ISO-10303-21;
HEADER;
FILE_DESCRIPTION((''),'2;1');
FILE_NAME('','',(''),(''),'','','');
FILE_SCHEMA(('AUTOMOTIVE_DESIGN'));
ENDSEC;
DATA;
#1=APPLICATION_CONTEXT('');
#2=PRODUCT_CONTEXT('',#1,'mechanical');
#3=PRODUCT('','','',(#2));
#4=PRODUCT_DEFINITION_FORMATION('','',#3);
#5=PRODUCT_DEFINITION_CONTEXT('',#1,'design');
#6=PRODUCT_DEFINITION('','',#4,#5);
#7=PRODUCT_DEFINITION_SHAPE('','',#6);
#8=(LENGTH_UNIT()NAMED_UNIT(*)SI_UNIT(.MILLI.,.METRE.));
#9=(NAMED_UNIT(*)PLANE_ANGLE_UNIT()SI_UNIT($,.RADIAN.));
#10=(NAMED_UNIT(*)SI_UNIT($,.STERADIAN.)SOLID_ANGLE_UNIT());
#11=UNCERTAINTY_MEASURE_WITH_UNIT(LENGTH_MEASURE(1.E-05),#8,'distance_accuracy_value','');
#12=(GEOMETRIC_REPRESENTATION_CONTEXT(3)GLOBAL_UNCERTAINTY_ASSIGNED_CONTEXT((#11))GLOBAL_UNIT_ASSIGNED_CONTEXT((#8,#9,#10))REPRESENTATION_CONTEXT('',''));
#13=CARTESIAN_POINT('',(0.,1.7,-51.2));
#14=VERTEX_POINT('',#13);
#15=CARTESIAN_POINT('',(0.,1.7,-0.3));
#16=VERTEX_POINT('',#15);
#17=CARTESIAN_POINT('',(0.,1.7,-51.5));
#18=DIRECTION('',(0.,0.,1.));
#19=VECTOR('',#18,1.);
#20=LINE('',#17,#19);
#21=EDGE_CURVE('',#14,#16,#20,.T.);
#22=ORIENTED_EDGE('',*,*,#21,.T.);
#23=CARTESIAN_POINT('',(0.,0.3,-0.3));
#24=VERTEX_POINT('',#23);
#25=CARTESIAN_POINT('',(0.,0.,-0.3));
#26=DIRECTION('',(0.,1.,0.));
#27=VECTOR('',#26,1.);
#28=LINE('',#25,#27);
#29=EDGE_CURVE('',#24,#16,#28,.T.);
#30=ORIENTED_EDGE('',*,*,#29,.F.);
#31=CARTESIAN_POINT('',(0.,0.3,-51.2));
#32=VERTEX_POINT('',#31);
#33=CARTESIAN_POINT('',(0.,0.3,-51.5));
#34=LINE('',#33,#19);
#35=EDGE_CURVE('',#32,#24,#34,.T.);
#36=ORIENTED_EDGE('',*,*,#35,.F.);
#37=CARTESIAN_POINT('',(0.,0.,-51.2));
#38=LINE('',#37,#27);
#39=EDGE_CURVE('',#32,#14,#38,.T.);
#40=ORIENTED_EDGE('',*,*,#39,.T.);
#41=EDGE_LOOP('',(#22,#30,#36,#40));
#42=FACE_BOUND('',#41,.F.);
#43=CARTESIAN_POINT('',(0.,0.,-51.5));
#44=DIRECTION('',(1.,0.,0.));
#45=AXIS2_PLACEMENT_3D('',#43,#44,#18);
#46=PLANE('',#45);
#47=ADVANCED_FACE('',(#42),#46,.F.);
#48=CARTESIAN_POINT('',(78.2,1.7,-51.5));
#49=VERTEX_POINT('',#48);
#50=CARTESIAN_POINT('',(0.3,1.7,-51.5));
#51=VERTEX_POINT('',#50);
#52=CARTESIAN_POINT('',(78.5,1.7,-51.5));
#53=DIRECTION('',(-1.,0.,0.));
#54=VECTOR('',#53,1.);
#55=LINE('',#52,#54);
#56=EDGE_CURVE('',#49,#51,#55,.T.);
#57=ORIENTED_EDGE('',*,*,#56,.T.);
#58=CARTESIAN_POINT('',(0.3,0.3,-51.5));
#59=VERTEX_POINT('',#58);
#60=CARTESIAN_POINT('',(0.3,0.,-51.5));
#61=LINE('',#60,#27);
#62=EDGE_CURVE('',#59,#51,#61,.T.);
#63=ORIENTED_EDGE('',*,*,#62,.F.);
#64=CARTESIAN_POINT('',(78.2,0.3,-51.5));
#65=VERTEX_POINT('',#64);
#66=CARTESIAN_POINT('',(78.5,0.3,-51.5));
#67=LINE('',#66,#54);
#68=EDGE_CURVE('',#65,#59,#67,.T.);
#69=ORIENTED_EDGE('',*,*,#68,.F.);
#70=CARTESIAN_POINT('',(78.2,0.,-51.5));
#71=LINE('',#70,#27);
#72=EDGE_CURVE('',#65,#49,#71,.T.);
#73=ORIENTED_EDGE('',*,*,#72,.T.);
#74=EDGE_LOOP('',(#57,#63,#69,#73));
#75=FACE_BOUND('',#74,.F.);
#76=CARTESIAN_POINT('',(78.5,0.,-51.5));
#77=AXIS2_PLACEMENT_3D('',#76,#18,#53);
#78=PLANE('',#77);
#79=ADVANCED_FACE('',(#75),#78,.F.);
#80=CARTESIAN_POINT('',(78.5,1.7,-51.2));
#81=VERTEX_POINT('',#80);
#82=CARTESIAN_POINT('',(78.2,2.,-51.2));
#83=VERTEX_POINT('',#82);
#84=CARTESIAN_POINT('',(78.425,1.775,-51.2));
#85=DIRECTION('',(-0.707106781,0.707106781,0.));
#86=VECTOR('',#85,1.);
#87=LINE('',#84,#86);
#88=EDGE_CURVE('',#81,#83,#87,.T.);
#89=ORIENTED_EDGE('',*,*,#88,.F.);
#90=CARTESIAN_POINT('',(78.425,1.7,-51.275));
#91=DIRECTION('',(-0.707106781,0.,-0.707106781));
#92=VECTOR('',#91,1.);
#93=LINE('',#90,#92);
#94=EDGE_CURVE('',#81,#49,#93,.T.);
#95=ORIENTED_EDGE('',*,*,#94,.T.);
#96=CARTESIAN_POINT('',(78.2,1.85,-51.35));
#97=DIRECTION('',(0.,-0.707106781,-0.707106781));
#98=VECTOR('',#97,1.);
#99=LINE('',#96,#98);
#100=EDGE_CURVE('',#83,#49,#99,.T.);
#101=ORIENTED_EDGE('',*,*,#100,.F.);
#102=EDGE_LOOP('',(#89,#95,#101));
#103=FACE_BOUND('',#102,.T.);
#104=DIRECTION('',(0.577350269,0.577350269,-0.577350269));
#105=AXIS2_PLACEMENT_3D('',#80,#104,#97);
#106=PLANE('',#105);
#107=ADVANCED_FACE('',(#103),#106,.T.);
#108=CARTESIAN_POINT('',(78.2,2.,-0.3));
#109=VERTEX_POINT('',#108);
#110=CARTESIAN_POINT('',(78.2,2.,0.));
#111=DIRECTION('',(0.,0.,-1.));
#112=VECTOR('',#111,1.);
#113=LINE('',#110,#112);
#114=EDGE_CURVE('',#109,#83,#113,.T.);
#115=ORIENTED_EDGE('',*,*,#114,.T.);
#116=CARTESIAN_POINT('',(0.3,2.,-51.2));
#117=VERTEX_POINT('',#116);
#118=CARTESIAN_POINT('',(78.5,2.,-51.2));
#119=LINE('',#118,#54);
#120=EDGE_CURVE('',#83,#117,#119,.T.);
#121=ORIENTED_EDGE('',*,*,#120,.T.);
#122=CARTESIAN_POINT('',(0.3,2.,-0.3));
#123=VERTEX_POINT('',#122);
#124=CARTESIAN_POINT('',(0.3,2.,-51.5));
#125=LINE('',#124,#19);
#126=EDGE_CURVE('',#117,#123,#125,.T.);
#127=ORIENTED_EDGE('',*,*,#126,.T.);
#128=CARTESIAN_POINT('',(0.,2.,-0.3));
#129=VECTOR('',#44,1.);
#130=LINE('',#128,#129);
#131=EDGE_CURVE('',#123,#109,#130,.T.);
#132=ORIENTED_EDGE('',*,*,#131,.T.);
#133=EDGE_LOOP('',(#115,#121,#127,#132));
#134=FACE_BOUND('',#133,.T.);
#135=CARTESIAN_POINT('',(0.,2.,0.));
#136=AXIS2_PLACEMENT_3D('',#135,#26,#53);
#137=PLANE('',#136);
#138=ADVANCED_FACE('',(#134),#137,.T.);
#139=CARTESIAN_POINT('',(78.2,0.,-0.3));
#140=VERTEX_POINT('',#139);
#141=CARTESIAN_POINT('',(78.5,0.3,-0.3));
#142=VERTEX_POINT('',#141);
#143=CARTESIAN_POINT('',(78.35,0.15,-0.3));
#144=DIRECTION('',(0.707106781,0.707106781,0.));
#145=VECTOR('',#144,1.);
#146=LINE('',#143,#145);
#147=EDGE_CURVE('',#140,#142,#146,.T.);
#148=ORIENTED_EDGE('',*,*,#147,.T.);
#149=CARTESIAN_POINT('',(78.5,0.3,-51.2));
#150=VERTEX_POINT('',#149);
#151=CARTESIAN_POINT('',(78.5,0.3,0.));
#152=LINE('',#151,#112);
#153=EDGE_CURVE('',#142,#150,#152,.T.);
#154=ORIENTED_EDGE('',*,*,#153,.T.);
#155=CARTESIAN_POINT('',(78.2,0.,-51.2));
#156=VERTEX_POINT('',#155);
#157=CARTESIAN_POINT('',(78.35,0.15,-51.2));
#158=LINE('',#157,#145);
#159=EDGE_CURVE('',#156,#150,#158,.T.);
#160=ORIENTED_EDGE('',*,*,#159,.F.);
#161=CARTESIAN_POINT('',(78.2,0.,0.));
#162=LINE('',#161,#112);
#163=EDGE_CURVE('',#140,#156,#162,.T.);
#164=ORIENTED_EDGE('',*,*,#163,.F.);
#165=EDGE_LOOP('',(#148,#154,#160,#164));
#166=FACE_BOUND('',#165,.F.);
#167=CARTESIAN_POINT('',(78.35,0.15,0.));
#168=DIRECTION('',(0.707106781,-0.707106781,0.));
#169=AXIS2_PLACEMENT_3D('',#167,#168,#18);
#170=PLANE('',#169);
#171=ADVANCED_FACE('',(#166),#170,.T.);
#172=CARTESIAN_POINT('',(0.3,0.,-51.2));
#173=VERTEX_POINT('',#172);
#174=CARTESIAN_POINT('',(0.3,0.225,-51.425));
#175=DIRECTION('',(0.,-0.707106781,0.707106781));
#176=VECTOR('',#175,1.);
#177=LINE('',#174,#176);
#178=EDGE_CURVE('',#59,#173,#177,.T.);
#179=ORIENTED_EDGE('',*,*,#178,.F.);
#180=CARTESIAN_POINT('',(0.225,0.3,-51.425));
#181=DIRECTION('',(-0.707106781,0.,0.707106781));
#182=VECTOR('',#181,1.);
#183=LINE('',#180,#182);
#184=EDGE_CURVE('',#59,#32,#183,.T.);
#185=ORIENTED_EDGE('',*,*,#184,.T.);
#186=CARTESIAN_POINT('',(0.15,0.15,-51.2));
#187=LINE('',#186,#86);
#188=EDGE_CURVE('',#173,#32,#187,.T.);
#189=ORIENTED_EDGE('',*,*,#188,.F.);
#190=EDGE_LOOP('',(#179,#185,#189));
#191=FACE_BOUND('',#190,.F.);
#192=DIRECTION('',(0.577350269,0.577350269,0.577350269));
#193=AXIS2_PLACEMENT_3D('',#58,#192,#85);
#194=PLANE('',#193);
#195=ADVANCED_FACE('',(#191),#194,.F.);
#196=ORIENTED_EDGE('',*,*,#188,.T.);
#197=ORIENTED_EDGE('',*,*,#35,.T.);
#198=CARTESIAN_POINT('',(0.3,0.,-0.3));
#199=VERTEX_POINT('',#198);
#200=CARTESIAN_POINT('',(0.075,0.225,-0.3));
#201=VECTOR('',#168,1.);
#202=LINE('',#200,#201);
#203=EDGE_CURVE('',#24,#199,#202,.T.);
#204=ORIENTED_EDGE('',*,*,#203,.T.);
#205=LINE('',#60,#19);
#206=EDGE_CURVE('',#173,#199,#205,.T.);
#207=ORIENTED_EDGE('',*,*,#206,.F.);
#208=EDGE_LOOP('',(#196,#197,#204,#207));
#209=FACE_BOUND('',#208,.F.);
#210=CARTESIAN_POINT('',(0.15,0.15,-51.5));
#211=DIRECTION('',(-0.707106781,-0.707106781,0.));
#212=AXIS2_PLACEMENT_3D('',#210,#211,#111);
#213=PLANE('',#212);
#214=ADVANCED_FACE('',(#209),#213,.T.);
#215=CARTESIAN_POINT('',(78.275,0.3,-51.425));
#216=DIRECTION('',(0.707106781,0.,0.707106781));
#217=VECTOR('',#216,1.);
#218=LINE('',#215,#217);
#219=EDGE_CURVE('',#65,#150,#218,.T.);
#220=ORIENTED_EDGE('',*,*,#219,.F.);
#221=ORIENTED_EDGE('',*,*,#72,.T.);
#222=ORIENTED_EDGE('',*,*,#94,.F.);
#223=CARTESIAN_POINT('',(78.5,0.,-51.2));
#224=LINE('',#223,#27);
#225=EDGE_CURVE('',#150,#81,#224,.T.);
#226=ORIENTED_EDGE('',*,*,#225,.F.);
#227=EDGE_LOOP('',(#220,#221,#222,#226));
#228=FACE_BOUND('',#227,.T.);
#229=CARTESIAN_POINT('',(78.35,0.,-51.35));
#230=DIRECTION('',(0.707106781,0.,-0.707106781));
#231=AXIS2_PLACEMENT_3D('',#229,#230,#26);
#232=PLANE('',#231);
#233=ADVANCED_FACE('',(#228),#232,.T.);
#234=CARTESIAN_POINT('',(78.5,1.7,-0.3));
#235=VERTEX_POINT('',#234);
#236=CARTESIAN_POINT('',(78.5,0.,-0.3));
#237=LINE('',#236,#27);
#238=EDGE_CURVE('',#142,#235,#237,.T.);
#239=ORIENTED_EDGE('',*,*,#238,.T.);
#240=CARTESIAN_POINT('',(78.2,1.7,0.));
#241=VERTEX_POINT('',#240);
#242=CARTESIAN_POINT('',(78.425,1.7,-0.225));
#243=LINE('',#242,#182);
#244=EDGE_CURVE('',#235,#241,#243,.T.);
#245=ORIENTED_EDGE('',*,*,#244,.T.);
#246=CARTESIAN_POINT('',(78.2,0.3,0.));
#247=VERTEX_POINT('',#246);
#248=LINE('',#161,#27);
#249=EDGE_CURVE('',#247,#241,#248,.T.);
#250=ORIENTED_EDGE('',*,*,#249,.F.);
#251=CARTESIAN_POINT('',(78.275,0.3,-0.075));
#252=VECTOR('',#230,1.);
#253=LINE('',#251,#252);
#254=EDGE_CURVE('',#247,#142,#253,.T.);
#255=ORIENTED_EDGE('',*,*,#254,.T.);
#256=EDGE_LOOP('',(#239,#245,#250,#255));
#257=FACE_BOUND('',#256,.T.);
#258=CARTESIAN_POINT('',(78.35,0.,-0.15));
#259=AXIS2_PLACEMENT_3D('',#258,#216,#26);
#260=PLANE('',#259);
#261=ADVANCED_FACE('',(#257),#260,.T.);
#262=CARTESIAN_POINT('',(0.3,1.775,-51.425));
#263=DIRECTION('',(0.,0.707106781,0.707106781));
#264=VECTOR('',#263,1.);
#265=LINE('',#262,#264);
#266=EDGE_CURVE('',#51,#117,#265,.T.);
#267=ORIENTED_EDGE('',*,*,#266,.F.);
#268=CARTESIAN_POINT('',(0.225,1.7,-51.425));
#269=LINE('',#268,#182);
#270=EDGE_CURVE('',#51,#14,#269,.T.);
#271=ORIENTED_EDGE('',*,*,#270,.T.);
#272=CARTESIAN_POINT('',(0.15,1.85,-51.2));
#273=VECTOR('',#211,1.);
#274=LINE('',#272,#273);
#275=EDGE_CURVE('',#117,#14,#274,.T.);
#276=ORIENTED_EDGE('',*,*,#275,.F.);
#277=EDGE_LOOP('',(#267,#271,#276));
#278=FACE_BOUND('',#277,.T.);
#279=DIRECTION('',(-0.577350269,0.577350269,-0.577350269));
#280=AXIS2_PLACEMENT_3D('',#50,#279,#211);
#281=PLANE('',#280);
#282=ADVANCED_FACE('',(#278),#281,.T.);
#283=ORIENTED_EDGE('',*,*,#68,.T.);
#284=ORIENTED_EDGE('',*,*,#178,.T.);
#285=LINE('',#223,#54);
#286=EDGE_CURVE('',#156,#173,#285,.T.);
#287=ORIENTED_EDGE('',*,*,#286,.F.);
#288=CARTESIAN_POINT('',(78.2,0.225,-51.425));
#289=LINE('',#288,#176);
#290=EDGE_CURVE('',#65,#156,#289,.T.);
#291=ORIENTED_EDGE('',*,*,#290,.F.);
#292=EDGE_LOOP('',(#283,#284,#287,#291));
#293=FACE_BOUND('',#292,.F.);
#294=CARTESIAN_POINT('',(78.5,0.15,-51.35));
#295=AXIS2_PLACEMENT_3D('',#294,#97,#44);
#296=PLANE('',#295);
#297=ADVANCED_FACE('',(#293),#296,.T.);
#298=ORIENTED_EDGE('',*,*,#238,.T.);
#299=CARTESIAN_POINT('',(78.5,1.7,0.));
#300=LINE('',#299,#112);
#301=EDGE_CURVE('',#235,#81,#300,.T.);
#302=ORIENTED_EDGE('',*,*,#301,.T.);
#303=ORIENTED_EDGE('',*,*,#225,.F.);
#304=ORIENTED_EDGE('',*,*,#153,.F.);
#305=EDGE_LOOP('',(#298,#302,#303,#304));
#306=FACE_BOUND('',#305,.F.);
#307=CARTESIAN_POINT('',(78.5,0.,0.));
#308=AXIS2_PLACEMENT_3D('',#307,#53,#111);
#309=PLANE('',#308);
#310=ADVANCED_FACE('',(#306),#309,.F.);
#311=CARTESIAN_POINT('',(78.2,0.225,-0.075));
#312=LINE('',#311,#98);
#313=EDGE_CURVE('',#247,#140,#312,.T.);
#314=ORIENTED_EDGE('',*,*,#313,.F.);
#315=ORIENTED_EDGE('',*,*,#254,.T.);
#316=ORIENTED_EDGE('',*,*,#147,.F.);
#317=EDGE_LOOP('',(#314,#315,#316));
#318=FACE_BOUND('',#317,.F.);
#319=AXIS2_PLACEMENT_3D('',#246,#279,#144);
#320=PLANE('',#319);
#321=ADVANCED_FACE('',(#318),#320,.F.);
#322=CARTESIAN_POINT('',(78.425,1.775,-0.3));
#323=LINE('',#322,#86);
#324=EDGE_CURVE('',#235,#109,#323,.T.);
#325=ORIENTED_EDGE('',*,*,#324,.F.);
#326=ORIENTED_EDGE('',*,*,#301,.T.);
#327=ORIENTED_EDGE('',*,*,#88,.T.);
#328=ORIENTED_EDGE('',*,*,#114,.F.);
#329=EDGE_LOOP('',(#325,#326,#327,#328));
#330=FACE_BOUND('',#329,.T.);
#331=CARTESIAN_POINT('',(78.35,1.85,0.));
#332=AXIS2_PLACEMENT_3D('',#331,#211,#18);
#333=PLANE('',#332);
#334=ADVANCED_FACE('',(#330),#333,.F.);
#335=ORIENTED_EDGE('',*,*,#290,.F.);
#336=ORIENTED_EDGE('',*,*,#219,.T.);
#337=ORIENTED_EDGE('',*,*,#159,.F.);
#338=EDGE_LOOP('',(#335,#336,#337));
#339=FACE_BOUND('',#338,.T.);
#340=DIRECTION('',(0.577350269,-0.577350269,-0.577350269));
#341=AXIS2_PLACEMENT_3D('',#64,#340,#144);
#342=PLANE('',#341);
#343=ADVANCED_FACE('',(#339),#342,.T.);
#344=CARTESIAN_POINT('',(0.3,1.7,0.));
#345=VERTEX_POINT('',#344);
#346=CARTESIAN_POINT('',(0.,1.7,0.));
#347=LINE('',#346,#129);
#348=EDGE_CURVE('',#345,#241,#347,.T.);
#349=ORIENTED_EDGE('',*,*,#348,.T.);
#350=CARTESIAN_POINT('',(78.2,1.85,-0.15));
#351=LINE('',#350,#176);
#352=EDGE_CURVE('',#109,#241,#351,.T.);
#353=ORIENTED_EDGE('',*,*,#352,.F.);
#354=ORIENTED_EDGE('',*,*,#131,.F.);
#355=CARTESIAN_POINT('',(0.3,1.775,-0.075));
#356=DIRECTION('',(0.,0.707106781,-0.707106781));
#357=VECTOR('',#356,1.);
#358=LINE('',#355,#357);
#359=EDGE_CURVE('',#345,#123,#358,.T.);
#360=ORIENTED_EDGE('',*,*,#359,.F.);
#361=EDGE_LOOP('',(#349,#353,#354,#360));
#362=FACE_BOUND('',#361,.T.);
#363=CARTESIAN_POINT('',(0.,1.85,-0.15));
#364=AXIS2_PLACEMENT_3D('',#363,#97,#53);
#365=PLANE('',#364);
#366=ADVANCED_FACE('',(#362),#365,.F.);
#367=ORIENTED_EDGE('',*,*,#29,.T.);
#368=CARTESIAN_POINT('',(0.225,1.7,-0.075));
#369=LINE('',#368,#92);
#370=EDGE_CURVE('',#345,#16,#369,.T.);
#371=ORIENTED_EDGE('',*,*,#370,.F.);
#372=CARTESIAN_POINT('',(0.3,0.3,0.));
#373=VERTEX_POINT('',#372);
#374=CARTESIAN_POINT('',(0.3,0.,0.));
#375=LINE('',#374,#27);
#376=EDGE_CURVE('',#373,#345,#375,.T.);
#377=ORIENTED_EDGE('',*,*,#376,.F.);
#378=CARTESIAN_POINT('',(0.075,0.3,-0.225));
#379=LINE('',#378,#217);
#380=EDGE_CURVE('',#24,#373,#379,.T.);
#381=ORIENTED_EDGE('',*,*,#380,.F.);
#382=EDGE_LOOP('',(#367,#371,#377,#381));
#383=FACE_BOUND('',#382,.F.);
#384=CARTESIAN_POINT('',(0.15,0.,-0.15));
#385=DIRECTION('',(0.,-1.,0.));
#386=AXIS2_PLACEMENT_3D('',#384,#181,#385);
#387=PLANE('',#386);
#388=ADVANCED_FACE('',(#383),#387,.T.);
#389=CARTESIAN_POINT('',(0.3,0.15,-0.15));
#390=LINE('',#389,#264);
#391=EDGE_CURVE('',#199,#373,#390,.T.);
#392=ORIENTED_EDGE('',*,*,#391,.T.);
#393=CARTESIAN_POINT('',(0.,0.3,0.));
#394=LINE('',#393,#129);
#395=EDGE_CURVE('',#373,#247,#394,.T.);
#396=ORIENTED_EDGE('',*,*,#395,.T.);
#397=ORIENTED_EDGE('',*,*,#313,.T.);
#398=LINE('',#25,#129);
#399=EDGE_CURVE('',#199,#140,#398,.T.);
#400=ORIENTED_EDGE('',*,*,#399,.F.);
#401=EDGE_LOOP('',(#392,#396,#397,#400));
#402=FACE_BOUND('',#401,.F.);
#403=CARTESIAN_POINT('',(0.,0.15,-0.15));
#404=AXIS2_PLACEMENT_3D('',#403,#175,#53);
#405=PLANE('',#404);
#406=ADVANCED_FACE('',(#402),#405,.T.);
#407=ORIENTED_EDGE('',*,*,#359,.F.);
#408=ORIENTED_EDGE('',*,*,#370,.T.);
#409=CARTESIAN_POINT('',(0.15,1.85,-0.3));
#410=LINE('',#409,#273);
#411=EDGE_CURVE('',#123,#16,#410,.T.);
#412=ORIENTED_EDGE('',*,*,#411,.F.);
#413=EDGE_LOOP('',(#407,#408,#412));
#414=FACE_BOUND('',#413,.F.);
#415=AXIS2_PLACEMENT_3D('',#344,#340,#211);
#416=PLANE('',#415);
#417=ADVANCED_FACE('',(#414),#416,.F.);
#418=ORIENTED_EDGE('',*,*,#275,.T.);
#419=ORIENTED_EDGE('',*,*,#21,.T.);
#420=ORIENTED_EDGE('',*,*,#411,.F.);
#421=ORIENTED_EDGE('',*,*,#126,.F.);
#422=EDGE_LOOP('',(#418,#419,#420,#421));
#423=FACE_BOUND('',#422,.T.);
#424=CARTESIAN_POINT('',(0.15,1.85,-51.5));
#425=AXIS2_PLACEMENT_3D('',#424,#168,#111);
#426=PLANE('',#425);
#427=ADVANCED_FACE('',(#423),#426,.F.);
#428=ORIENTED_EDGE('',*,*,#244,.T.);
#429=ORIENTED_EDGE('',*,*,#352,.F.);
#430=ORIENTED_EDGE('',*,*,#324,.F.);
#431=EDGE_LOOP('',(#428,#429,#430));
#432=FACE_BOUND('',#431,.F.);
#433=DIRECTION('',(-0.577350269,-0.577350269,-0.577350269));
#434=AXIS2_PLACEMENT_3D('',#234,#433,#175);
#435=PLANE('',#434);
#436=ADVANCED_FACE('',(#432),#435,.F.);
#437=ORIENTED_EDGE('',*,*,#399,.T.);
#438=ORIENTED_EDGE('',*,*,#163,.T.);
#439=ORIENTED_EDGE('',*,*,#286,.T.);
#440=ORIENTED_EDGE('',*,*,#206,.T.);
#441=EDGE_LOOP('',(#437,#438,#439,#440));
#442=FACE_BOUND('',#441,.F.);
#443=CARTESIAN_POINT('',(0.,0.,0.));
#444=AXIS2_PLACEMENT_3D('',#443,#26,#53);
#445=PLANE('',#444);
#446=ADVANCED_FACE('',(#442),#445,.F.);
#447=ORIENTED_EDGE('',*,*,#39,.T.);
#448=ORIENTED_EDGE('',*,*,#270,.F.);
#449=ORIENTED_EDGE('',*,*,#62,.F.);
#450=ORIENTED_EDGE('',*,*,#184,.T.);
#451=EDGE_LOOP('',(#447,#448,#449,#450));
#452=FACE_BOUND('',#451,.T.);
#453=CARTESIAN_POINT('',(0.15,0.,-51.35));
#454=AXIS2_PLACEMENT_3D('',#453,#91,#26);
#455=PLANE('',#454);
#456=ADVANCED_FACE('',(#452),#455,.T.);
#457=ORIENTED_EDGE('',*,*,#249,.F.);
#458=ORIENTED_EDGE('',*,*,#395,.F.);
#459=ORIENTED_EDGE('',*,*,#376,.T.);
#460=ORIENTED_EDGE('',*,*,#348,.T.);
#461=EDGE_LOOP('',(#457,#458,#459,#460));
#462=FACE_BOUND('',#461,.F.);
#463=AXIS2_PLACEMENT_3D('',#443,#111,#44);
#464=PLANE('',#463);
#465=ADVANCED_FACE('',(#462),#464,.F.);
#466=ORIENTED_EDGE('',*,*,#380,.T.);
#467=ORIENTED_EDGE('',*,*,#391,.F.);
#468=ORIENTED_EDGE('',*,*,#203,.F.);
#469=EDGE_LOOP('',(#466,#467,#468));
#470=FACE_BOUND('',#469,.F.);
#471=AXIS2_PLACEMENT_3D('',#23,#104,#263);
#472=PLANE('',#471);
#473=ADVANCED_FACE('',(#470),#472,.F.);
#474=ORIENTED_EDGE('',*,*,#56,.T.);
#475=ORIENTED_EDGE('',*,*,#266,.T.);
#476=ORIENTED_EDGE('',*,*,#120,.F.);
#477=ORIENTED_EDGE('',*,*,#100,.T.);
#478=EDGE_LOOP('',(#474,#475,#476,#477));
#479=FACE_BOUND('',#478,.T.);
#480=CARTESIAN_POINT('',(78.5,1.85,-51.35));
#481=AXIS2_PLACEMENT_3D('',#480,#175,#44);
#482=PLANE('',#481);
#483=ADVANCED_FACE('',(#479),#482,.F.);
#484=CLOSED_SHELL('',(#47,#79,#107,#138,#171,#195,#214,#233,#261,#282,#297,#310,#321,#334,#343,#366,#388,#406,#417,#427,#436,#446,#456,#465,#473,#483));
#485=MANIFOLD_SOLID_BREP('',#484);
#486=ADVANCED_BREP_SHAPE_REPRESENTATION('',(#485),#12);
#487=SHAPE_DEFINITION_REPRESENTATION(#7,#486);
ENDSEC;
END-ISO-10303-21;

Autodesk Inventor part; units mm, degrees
ref_plane "YZ Plane" through (0, 0, 0) normal (1, 0, 0) x (0, 1, 0)
ref_plane "XZ Plane" through (0, 0, 0) normal (0, 1, 0) x (-1, 0, 0)
ref_plane "XY Plane" through (0, 0, 0) normal (0, 0, 1) x (1, 0, 0)
sketch "Sketch1" plane through (0, 0, 0) normal (0, 1, 0) x (-1, 0, 0)
  line L0 (0, 0) -> (-78.5, 0)
  line L1 (-78.5, 0) -> (-78.5, -51.5)
  line L2 (-78.5, -51.5) -> (0, -51.5)
  line L3 (0, -51.5) -> (0, 0)
  dimension "d0" = 78.5
  dimension "d1" = 51.5
extrude "Extrusion1" add sketch "Sketch1" along normal blind 2
chamfer "Chamfer1" distance 0.3 angle 45 12 edges at (0, 2, -25.75) (39.25, 2, 0) (39.25, 2, -51.5) (78.5, 2, -25.75) (78.5, 0, -25.75) (39.25, 0, 0) (0, 0, -25.75) (39.25, 0, -51.5) (0, 1, -51.5) (0, 1, 0) (78.5, 1, -51.5) (78.5, 1, 0)
properties part number "controller_lcd_cover_glass" material "Glass"
